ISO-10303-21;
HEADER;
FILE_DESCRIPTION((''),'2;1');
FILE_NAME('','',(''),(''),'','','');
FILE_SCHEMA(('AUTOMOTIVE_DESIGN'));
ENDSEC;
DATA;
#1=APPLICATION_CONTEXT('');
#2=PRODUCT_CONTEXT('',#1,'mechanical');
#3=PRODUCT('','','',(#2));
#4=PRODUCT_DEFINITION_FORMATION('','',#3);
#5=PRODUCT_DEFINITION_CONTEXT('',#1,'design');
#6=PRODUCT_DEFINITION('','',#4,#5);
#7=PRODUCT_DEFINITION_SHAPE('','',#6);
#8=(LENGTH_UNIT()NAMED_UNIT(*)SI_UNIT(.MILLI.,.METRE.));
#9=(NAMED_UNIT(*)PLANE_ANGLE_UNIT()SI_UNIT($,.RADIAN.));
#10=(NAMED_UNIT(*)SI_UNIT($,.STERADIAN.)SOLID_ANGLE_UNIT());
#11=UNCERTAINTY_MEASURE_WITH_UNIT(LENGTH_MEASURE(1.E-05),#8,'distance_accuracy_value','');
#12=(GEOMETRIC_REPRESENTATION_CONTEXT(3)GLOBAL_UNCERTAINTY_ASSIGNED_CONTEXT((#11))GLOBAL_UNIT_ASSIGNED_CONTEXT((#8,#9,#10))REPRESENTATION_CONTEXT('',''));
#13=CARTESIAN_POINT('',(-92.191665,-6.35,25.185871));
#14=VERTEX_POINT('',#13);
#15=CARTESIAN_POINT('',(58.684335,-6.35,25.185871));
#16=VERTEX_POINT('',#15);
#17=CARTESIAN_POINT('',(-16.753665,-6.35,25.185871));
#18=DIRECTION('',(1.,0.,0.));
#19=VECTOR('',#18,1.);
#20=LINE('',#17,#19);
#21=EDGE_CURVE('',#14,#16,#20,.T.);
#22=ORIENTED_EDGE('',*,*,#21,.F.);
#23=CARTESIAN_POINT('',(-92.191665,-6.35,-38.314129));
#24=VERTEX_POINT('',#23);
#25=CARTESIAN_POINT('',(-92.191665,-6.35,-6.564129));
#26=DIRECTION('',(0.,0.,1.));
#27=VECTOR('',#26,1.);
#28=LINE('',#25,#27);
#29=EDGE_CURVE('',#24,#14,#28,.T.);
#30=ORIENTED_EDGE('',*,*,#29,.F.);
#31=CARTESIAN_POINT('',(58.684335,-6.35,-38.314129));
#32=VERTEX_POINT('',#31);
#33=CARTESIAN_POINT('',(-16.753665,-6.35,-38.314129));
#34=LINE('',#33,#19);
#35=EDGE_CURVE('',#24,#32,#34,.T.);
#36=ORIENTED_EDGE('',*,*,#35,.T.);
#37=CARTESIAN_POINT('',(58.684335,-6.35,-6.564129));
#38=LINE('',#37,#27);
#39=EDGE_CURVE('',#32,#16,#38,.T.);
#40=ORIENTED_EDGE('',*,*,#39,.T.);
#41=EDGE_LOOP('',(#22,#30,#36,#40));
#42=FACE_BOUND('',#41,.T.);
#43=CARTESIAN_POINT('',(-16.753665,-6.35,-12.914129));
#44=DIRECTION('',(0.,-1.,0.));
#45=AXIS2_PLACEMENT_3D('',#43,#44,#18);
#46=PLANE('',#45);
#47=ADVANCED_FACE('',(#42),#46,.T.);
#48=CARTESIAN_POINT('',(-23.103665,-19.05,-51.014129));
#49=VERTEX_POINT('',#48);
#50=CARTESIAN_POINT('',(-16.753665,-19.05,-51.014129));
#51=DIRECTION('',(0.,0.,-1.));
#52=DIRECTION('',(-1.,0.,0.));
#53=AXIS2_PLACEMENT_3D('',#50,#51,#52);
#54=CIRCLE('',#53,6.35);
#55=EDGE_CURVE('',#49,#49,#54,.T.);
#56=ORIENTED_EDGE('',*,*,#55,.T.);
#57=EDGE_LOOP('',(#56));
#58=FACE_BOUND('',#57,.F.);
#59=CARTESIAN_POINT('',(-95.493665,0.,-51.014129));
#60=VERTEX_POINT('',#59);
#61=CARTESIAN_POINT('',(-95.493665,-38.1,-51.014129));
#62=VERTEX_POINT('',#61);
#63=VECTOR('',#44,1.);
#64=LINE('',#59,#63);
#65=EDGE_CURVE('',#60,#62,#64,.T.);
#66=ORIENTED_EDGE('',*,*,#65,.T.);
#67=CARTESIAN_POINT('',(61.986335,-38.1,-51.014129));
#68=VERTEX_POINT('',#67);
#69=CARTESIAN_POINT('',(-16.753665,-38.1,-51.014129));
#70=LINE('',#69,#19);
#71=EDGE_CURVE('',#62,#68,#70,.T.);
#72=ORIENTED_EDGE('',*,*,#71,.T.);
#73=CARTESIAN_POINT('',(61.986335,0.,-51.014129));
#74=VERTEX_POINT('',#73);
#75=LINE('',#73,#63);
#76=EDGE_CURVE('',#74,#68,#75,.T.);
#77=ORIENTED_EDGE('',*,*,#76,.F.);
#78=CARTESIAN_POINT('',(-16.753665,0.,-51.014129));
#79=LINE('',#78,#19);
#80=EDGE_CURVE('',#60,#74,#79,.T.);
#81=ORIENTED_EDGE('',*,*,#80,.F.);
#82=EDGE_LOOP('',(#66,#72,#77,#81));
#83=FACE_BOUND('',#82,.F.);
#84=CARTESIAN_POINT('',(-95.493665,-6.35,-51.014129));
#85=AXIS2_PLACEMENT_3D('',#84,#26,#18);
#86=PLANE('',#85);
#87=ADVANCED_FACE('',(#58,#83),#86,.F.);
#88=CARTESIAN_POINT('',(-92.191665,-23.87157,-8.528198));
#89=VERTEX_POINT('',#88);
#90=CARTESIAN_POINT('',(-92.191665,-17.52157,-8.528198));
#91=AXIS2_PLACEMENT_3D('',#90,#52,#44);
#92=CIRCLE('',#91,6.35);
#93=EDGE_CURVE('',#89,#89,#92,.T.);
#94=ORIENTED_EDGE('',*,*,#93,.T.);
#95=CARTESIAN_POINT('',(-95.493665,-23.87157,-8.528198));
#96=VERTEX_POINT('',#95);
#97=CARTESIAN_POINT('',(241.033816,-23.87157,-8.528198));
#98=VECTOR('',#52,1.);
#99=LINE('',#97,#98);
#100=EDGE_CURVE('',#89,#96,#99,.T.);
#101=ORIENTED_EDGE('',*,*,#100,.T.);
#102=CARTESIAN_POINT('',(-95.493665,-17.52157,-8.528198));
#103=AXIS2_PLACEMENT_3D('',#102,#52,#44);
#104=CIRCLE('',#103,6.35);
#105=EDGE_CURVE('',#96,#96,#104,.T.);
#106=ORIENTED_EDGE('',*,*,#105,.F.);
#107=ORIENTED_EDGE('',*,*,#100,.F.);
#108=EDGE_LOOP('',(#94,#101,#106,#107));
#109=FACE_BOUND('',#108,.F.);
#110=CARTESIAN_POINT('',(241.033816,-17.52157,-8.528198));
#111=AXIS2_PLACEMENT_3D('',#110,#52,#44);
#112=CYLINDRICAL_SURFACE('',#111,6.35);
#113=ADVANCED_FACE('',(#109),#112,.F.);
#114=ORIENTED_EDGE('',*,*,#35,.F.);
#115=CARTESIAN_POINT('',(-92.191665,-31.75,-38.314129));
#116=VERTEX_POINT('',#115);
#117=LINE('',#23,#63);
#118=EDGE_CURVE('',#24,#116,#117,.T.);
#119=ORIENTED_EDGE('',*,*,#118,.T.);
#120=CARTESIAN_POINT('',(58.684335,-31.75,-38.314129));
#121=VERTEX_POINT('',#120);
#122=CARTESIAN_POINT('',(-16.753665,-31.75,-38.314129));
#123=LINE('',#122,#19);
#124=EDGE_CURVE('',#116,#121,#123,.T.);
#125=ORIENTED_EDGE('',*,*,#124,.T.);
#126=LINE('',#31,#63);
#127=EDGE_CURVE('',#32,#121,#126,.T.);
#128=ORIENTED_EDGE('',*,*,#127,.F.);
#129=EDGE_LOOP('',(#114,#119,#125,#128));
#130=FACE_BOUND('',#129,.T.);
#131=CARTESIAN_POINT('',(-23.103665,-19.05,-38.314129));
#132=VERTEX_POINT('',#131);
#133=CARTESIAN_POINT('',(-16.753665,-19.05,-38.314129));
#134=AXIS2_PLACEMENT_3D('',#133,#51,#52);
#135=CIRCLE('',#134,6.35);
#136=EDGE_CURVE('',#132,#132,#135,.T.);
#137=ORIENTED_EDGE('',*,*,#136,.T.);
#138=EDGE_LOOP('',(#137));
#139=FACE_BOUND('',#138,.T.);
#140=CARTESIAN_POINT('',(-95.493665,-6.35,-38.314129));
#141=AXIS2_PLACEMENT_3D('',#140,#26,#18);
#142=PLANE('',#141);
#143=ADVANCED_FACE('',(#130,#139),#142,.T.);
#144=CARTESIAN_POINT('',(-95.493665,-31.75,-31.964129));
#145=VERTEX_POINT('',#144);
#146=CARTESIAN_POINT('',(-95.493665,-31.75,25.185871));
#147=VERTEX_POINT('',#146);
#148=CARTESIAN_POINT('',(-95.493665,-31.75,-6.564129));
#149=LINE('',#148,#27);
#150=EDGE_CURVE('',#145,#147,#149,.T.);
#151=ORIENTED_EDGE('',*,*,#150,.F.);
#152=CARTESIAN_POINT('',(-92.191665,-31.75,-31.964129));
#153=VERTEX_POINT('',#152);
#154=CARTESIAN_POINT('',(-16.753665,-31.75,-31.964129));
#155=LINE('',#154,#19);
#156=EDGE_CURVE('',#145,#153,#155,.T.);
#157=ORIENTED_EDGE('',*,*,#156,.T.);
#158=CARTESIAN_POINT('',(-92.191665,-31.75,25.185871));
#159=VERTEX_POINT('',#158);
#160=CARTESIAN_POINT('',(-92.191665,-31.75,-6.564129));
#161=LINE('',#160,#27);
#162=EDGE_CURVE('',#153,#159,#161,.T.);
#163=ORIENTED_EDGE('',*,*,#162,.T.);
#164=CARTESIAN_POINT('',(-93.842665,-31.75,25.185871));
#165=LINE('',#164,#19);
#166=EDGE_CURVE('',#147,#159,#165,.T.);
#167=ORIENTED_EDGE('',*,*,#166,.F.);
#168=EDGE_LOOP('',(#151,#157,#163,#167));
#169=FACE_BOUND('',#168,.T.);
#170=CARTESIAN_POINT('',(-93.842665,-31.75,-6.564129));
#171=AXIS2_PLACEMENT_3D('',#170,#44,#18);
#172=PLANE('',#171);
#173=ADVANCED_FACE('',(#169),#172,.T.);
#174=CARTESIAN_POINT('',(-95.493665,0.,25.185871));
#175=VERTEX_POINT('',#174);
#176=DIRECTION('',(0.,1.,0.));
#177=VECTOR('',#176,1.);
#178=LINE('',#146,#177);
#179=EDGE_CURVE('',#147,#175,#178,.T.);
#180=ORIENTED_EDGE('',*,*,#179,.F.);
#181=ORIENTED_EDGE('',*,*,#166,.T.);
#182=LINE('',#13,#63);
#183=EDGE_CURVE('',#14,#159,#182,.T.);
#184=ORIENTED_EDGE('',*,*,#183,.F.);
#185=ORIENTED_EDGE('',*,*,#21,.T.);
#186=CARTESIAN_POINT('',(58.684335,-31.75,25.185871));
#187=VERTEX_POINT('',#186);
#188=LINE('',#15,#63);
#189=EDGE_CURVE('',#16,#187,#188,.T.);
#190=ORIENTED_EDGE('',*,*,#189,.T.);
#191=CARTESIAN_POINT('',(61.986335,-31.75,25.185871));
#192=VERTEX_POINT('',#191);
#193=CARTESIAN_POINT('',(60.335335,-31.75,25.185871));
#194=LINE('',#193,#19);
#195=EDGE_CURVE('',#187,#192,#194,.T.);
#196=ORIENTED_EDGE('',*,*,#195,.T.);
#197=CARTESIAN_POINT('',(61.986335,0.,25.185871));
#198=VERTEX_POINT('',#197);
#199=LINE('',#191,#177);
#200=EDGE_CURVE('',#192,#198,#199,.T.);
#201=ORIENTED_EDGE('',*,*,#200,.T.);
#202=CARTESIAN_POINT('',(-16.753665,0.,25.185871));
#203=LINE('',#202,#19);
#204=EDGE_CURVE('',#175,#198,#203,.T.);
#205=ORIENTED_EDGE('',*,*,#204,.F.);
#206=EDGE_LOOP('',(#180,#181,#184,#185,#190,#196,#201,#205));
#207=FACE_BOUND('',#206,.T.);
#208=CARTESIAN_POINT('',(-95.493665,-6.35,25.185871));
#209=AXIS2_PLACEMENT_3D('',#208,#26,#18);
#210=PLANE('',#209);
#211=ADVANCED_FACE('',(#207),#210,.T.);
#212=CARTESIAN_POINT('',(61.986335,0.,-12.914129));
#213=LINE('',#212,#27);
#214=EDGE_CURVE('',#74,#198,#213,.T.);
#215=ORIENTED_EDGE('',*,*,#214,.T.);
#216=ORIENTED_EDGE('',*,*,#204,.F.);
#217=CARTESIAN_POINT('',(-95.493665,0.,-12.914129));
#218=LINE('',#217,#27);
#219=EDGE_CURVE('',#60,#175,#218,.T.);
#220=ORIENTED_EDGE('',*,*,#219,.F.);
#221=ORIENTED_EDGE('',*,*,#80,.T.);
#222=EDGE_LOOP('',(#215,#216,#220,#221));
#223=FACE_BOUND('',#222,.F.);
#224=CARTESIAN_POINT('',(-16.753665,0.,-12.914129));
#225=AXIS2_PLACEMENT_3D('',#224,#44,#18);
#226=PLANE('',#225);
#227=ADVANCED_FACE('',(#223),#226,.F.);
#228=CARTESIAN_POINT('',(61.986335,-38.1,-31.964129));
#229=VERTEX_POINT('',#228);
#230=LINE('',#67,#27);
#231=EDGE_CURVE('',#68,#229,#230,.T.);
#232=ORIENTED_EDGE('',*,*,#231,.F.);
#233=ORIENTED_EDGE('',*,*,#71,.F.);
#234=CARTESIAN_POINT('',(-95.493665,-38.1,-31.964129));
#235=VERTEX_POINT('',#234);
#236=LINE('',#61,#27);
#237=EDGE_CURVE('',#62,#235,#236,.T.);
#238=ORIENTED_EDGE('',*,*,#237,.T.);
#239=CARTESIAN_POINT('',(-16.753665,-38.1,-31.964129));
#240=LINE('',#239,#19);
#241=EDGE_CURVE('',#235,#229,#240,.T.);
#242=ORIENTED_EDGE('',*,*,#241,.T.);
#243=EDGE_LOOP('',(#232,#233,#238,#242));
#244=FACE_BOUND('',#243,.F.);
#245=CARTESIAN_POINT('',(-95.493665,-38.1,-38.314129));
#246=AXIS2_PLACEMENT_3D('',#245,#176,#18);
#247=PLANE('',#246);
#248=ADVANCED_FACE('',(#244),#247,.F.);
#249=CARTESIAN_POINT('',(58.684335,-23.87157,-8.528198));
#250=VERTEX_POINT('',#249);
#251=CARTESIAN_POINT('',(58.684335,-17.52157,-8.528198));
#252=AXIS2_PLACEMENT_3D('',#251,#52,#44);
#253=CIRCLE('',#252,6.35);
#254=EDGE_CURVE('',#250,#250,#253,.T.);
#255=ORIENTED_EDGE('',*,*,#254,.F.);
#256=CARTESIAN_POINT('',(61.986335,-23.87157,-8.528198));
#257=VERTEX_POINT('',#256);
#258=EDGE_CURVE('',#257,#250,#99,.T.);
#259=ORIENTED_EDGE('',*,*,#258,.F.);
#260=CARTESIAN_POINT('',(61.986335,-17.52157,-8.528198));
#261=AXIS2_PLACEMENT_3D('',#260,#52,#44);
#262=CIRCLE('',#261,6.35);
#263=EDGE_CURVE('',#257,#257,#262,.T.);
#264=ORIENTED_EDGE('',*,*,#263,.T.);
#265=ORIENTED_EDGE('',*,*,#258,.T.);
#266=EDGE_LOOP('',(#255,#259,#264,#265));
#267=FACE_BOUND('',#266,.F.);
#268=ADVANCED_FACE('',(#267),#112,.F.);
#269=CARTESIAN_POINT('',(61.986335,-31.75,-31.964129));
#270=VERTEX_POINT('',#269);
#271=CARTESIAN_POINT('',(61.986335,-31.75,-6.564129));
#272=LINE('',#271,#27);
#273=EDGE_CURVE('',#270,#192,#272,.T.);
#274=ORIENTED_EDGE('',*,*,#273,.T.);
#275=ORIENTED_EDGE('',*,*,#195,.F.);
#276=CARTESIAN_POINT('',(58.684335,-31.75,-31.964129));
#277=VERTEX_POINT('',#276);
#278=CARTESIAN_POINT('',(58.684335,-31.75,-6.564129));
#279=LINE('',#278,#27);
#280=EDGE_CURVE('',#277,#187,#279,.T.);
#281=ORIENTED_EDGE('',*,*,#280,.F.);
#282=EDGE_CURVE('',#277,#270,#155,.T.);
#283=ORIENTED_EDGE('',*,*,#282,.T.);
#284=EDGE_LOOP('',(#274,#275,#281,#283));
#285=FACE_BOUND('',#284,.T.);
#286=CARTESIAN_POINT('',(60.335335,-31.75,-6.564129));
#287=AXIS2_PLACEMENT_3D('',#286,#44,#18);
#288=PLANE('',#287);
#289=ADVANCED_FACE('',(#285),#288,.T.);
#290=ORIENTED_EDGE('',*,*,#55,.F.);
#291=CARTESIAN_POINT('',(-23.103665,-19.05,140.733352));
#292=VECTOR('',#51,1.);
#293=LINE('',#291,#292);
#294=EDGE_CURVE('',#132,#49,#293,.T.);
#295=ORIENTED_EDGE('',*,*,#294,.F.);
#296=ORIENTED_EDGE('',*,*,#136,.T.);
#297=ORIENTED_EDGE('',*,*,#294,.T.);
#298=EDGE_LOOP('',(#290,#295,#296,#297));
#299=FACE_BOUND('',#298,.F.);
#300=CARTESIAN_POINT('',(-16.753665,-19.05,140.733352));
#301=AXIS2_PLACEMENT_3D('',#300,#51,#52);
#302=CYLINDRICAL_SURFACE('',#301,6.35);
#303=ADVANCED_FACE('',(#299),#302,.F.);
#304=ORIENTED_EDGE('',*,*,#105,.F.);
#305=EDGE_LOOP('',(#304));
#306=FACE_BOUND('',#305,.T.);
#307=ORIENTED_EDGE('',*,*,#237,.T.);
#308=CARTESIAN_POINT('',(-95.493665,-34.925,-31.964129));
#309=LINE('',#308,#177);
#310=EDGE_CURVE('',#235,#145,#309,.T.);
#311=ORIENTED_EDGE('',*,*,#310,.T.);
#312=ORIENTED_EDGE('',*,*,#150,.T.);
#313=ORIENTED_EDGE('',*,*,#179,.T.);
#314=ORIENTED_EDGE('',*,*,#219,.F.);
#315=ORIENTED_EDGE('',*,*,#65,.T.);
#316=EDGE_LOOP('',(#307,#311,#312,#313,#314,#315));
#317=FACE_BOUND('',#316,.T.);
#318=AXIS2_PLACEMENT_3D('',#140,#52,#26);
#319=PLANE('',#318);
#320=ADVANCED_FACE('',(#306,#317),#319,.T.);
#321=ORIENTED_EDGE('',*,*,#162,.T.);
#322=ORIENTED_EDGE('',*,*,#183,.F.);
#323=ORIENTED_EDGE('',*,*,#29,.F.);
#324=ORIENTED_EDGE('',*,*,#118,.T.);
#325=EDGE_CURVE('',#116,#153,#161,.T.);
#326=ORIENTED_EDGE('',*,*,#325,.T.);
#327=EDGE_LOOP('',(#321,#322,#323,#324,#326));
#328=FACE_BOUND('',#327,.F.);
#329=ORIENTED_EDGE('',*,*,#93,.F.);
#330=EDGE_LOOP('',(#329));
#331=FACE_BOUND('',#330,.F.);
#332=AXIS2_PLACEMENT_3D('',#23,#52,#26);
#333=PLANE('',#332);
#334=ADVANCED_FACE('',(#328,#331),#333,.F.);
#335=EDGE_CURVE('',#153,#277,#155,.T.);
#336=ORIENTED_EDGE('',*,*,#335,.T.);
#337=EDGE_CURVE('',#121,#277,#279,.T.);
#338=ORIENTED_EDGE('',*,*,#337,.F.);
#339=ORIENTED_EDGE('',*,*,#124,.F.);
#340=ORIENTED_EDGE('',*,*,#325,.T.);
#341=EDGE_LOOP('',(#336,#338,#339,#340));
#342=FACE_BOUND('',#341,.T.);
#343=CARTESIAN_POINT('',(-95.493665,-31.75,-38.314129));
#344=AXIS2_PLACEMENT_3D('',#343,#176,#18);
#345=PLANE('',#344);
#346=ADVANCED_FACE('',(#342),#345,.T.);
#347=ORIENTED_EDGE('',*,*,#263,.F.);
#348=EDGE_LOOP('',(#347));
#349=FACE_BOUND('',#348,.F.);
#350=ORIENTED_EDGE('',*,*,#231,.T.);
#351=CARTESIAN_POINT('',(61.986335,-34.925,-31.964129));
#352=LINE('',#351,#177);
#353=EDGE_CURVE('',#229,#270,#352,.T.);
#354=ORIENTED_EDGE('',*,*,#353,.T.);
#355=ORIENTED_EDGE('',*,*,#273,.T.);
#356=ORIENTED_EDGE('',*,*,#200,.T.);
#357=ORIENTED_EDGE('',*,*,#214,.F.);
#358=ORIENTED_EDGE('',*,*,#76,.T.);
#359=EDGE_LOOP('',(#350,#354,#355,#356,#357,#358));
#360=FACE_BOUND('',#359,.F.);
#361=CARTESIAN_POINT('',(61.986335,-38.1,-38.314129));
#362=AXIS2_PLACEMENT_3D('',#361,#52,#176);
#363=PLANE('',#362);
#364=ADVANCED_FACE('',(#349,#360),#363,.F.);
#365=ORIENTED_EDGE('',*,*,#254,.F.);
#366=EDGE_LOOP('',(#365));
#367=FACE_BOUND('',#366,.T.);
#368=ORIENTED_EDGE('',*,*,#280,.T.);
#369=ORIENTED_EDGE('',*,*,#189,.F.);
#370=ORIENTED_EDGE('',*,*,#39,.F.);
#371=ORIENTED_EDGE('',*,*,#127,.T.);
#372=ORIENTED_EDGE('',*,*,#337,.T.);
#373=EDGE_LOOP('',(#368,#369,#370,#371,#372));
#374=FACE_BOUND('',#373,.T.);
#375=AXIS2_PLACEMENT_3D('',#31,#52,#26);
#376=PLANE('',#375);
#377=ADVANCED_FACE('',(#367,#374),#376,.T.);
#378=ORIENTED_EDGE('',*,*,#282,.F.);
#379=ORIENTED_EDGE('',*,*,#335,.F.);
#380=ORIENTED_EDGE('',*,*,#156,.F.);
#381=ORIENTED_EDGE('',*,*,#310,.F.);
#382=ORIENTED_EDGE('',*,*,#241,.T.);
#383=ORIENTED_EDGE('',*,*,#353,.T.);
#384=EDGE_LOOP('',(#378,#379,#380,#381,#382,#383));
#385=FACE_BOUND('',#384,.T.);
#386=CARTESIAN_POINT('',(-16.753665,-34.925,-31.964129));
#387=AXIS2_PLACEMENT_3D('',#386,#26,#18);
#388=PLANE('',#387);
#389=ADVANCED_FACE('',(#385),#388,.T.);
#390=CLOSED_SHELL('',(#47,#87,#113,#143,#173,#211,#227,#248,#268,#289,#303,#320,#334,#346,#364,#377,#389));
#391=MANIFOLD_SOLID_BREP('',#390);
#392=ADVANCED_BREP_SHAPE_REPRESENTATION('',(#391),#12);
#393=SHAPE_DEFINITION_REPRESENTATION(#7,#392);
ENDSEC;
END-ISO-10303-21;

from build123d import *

# Parameters (mm, degrees)
F0_W     = 157.48
F0_H     = 76.2
F1_DEPTH = 6.35
F2_W     = 157.48
F2_H     = 12.7
F3_DEPTH = 31.75
F4_W     = 157.48
F4_H     = 6.35
F5_DEPTH = 6.35
F7_D     = 12.7
F8_W     = 3.302
F8_H     = 63.5
F9_DEPTH = 25.4
F11_D    = 12.7


with BuildPart() as f1:
    # F0 (on Front) → F1 (new body)
    with BuildSketch(Plane.XZ):
        with Locations((-16.753665, -12.914129)):
            Rectangle(F0_W, F0_H)
    extrude(amount=F1_DEPTH)

    # F2 (on face) → F3 (join)
    with BuildSketch(Plane.XZ.offset(6.35)):
        with Locations((-16.753665, -44.664129)):
            Rectangle(F2_W, F2_H)
    extrude(amount=F3_DEPTH)

    # F4 (on face) → F5 (join)
    with BuildSketch(Plane.XY.offset(-38.314129)):
        with Locations((-16.753665, -34.925)):
            Rectangle(F4_W, F4_H)
    extrude(amount=F5_DEPTH)

    # F7 (through all)
    with Locations(Plane.XY.offset(-38.314129)):
        with Locations((-16.753665, -19.05)):
            Hole(F7_D / 2)

    # F8 (on face) → F9 (join)
    with BuildSketch(Plane.XZ.offset(6.35)):
        with Locations((-93.842665, -6.564129)):
            Rectangle(F8_W, F8_H)
        with Locations((60.335335, -6.564129)):
            Rectangle(F8_W, F8_H)
    extrude(amount=F9_DEPTH)

    # F11 (through all)
    with Locations(Plane.YZ.offset(61.986335)):
        with Locations((-17.52157, -8.528198)):
            Hole(F11_D / 2)


solid = f1.part
